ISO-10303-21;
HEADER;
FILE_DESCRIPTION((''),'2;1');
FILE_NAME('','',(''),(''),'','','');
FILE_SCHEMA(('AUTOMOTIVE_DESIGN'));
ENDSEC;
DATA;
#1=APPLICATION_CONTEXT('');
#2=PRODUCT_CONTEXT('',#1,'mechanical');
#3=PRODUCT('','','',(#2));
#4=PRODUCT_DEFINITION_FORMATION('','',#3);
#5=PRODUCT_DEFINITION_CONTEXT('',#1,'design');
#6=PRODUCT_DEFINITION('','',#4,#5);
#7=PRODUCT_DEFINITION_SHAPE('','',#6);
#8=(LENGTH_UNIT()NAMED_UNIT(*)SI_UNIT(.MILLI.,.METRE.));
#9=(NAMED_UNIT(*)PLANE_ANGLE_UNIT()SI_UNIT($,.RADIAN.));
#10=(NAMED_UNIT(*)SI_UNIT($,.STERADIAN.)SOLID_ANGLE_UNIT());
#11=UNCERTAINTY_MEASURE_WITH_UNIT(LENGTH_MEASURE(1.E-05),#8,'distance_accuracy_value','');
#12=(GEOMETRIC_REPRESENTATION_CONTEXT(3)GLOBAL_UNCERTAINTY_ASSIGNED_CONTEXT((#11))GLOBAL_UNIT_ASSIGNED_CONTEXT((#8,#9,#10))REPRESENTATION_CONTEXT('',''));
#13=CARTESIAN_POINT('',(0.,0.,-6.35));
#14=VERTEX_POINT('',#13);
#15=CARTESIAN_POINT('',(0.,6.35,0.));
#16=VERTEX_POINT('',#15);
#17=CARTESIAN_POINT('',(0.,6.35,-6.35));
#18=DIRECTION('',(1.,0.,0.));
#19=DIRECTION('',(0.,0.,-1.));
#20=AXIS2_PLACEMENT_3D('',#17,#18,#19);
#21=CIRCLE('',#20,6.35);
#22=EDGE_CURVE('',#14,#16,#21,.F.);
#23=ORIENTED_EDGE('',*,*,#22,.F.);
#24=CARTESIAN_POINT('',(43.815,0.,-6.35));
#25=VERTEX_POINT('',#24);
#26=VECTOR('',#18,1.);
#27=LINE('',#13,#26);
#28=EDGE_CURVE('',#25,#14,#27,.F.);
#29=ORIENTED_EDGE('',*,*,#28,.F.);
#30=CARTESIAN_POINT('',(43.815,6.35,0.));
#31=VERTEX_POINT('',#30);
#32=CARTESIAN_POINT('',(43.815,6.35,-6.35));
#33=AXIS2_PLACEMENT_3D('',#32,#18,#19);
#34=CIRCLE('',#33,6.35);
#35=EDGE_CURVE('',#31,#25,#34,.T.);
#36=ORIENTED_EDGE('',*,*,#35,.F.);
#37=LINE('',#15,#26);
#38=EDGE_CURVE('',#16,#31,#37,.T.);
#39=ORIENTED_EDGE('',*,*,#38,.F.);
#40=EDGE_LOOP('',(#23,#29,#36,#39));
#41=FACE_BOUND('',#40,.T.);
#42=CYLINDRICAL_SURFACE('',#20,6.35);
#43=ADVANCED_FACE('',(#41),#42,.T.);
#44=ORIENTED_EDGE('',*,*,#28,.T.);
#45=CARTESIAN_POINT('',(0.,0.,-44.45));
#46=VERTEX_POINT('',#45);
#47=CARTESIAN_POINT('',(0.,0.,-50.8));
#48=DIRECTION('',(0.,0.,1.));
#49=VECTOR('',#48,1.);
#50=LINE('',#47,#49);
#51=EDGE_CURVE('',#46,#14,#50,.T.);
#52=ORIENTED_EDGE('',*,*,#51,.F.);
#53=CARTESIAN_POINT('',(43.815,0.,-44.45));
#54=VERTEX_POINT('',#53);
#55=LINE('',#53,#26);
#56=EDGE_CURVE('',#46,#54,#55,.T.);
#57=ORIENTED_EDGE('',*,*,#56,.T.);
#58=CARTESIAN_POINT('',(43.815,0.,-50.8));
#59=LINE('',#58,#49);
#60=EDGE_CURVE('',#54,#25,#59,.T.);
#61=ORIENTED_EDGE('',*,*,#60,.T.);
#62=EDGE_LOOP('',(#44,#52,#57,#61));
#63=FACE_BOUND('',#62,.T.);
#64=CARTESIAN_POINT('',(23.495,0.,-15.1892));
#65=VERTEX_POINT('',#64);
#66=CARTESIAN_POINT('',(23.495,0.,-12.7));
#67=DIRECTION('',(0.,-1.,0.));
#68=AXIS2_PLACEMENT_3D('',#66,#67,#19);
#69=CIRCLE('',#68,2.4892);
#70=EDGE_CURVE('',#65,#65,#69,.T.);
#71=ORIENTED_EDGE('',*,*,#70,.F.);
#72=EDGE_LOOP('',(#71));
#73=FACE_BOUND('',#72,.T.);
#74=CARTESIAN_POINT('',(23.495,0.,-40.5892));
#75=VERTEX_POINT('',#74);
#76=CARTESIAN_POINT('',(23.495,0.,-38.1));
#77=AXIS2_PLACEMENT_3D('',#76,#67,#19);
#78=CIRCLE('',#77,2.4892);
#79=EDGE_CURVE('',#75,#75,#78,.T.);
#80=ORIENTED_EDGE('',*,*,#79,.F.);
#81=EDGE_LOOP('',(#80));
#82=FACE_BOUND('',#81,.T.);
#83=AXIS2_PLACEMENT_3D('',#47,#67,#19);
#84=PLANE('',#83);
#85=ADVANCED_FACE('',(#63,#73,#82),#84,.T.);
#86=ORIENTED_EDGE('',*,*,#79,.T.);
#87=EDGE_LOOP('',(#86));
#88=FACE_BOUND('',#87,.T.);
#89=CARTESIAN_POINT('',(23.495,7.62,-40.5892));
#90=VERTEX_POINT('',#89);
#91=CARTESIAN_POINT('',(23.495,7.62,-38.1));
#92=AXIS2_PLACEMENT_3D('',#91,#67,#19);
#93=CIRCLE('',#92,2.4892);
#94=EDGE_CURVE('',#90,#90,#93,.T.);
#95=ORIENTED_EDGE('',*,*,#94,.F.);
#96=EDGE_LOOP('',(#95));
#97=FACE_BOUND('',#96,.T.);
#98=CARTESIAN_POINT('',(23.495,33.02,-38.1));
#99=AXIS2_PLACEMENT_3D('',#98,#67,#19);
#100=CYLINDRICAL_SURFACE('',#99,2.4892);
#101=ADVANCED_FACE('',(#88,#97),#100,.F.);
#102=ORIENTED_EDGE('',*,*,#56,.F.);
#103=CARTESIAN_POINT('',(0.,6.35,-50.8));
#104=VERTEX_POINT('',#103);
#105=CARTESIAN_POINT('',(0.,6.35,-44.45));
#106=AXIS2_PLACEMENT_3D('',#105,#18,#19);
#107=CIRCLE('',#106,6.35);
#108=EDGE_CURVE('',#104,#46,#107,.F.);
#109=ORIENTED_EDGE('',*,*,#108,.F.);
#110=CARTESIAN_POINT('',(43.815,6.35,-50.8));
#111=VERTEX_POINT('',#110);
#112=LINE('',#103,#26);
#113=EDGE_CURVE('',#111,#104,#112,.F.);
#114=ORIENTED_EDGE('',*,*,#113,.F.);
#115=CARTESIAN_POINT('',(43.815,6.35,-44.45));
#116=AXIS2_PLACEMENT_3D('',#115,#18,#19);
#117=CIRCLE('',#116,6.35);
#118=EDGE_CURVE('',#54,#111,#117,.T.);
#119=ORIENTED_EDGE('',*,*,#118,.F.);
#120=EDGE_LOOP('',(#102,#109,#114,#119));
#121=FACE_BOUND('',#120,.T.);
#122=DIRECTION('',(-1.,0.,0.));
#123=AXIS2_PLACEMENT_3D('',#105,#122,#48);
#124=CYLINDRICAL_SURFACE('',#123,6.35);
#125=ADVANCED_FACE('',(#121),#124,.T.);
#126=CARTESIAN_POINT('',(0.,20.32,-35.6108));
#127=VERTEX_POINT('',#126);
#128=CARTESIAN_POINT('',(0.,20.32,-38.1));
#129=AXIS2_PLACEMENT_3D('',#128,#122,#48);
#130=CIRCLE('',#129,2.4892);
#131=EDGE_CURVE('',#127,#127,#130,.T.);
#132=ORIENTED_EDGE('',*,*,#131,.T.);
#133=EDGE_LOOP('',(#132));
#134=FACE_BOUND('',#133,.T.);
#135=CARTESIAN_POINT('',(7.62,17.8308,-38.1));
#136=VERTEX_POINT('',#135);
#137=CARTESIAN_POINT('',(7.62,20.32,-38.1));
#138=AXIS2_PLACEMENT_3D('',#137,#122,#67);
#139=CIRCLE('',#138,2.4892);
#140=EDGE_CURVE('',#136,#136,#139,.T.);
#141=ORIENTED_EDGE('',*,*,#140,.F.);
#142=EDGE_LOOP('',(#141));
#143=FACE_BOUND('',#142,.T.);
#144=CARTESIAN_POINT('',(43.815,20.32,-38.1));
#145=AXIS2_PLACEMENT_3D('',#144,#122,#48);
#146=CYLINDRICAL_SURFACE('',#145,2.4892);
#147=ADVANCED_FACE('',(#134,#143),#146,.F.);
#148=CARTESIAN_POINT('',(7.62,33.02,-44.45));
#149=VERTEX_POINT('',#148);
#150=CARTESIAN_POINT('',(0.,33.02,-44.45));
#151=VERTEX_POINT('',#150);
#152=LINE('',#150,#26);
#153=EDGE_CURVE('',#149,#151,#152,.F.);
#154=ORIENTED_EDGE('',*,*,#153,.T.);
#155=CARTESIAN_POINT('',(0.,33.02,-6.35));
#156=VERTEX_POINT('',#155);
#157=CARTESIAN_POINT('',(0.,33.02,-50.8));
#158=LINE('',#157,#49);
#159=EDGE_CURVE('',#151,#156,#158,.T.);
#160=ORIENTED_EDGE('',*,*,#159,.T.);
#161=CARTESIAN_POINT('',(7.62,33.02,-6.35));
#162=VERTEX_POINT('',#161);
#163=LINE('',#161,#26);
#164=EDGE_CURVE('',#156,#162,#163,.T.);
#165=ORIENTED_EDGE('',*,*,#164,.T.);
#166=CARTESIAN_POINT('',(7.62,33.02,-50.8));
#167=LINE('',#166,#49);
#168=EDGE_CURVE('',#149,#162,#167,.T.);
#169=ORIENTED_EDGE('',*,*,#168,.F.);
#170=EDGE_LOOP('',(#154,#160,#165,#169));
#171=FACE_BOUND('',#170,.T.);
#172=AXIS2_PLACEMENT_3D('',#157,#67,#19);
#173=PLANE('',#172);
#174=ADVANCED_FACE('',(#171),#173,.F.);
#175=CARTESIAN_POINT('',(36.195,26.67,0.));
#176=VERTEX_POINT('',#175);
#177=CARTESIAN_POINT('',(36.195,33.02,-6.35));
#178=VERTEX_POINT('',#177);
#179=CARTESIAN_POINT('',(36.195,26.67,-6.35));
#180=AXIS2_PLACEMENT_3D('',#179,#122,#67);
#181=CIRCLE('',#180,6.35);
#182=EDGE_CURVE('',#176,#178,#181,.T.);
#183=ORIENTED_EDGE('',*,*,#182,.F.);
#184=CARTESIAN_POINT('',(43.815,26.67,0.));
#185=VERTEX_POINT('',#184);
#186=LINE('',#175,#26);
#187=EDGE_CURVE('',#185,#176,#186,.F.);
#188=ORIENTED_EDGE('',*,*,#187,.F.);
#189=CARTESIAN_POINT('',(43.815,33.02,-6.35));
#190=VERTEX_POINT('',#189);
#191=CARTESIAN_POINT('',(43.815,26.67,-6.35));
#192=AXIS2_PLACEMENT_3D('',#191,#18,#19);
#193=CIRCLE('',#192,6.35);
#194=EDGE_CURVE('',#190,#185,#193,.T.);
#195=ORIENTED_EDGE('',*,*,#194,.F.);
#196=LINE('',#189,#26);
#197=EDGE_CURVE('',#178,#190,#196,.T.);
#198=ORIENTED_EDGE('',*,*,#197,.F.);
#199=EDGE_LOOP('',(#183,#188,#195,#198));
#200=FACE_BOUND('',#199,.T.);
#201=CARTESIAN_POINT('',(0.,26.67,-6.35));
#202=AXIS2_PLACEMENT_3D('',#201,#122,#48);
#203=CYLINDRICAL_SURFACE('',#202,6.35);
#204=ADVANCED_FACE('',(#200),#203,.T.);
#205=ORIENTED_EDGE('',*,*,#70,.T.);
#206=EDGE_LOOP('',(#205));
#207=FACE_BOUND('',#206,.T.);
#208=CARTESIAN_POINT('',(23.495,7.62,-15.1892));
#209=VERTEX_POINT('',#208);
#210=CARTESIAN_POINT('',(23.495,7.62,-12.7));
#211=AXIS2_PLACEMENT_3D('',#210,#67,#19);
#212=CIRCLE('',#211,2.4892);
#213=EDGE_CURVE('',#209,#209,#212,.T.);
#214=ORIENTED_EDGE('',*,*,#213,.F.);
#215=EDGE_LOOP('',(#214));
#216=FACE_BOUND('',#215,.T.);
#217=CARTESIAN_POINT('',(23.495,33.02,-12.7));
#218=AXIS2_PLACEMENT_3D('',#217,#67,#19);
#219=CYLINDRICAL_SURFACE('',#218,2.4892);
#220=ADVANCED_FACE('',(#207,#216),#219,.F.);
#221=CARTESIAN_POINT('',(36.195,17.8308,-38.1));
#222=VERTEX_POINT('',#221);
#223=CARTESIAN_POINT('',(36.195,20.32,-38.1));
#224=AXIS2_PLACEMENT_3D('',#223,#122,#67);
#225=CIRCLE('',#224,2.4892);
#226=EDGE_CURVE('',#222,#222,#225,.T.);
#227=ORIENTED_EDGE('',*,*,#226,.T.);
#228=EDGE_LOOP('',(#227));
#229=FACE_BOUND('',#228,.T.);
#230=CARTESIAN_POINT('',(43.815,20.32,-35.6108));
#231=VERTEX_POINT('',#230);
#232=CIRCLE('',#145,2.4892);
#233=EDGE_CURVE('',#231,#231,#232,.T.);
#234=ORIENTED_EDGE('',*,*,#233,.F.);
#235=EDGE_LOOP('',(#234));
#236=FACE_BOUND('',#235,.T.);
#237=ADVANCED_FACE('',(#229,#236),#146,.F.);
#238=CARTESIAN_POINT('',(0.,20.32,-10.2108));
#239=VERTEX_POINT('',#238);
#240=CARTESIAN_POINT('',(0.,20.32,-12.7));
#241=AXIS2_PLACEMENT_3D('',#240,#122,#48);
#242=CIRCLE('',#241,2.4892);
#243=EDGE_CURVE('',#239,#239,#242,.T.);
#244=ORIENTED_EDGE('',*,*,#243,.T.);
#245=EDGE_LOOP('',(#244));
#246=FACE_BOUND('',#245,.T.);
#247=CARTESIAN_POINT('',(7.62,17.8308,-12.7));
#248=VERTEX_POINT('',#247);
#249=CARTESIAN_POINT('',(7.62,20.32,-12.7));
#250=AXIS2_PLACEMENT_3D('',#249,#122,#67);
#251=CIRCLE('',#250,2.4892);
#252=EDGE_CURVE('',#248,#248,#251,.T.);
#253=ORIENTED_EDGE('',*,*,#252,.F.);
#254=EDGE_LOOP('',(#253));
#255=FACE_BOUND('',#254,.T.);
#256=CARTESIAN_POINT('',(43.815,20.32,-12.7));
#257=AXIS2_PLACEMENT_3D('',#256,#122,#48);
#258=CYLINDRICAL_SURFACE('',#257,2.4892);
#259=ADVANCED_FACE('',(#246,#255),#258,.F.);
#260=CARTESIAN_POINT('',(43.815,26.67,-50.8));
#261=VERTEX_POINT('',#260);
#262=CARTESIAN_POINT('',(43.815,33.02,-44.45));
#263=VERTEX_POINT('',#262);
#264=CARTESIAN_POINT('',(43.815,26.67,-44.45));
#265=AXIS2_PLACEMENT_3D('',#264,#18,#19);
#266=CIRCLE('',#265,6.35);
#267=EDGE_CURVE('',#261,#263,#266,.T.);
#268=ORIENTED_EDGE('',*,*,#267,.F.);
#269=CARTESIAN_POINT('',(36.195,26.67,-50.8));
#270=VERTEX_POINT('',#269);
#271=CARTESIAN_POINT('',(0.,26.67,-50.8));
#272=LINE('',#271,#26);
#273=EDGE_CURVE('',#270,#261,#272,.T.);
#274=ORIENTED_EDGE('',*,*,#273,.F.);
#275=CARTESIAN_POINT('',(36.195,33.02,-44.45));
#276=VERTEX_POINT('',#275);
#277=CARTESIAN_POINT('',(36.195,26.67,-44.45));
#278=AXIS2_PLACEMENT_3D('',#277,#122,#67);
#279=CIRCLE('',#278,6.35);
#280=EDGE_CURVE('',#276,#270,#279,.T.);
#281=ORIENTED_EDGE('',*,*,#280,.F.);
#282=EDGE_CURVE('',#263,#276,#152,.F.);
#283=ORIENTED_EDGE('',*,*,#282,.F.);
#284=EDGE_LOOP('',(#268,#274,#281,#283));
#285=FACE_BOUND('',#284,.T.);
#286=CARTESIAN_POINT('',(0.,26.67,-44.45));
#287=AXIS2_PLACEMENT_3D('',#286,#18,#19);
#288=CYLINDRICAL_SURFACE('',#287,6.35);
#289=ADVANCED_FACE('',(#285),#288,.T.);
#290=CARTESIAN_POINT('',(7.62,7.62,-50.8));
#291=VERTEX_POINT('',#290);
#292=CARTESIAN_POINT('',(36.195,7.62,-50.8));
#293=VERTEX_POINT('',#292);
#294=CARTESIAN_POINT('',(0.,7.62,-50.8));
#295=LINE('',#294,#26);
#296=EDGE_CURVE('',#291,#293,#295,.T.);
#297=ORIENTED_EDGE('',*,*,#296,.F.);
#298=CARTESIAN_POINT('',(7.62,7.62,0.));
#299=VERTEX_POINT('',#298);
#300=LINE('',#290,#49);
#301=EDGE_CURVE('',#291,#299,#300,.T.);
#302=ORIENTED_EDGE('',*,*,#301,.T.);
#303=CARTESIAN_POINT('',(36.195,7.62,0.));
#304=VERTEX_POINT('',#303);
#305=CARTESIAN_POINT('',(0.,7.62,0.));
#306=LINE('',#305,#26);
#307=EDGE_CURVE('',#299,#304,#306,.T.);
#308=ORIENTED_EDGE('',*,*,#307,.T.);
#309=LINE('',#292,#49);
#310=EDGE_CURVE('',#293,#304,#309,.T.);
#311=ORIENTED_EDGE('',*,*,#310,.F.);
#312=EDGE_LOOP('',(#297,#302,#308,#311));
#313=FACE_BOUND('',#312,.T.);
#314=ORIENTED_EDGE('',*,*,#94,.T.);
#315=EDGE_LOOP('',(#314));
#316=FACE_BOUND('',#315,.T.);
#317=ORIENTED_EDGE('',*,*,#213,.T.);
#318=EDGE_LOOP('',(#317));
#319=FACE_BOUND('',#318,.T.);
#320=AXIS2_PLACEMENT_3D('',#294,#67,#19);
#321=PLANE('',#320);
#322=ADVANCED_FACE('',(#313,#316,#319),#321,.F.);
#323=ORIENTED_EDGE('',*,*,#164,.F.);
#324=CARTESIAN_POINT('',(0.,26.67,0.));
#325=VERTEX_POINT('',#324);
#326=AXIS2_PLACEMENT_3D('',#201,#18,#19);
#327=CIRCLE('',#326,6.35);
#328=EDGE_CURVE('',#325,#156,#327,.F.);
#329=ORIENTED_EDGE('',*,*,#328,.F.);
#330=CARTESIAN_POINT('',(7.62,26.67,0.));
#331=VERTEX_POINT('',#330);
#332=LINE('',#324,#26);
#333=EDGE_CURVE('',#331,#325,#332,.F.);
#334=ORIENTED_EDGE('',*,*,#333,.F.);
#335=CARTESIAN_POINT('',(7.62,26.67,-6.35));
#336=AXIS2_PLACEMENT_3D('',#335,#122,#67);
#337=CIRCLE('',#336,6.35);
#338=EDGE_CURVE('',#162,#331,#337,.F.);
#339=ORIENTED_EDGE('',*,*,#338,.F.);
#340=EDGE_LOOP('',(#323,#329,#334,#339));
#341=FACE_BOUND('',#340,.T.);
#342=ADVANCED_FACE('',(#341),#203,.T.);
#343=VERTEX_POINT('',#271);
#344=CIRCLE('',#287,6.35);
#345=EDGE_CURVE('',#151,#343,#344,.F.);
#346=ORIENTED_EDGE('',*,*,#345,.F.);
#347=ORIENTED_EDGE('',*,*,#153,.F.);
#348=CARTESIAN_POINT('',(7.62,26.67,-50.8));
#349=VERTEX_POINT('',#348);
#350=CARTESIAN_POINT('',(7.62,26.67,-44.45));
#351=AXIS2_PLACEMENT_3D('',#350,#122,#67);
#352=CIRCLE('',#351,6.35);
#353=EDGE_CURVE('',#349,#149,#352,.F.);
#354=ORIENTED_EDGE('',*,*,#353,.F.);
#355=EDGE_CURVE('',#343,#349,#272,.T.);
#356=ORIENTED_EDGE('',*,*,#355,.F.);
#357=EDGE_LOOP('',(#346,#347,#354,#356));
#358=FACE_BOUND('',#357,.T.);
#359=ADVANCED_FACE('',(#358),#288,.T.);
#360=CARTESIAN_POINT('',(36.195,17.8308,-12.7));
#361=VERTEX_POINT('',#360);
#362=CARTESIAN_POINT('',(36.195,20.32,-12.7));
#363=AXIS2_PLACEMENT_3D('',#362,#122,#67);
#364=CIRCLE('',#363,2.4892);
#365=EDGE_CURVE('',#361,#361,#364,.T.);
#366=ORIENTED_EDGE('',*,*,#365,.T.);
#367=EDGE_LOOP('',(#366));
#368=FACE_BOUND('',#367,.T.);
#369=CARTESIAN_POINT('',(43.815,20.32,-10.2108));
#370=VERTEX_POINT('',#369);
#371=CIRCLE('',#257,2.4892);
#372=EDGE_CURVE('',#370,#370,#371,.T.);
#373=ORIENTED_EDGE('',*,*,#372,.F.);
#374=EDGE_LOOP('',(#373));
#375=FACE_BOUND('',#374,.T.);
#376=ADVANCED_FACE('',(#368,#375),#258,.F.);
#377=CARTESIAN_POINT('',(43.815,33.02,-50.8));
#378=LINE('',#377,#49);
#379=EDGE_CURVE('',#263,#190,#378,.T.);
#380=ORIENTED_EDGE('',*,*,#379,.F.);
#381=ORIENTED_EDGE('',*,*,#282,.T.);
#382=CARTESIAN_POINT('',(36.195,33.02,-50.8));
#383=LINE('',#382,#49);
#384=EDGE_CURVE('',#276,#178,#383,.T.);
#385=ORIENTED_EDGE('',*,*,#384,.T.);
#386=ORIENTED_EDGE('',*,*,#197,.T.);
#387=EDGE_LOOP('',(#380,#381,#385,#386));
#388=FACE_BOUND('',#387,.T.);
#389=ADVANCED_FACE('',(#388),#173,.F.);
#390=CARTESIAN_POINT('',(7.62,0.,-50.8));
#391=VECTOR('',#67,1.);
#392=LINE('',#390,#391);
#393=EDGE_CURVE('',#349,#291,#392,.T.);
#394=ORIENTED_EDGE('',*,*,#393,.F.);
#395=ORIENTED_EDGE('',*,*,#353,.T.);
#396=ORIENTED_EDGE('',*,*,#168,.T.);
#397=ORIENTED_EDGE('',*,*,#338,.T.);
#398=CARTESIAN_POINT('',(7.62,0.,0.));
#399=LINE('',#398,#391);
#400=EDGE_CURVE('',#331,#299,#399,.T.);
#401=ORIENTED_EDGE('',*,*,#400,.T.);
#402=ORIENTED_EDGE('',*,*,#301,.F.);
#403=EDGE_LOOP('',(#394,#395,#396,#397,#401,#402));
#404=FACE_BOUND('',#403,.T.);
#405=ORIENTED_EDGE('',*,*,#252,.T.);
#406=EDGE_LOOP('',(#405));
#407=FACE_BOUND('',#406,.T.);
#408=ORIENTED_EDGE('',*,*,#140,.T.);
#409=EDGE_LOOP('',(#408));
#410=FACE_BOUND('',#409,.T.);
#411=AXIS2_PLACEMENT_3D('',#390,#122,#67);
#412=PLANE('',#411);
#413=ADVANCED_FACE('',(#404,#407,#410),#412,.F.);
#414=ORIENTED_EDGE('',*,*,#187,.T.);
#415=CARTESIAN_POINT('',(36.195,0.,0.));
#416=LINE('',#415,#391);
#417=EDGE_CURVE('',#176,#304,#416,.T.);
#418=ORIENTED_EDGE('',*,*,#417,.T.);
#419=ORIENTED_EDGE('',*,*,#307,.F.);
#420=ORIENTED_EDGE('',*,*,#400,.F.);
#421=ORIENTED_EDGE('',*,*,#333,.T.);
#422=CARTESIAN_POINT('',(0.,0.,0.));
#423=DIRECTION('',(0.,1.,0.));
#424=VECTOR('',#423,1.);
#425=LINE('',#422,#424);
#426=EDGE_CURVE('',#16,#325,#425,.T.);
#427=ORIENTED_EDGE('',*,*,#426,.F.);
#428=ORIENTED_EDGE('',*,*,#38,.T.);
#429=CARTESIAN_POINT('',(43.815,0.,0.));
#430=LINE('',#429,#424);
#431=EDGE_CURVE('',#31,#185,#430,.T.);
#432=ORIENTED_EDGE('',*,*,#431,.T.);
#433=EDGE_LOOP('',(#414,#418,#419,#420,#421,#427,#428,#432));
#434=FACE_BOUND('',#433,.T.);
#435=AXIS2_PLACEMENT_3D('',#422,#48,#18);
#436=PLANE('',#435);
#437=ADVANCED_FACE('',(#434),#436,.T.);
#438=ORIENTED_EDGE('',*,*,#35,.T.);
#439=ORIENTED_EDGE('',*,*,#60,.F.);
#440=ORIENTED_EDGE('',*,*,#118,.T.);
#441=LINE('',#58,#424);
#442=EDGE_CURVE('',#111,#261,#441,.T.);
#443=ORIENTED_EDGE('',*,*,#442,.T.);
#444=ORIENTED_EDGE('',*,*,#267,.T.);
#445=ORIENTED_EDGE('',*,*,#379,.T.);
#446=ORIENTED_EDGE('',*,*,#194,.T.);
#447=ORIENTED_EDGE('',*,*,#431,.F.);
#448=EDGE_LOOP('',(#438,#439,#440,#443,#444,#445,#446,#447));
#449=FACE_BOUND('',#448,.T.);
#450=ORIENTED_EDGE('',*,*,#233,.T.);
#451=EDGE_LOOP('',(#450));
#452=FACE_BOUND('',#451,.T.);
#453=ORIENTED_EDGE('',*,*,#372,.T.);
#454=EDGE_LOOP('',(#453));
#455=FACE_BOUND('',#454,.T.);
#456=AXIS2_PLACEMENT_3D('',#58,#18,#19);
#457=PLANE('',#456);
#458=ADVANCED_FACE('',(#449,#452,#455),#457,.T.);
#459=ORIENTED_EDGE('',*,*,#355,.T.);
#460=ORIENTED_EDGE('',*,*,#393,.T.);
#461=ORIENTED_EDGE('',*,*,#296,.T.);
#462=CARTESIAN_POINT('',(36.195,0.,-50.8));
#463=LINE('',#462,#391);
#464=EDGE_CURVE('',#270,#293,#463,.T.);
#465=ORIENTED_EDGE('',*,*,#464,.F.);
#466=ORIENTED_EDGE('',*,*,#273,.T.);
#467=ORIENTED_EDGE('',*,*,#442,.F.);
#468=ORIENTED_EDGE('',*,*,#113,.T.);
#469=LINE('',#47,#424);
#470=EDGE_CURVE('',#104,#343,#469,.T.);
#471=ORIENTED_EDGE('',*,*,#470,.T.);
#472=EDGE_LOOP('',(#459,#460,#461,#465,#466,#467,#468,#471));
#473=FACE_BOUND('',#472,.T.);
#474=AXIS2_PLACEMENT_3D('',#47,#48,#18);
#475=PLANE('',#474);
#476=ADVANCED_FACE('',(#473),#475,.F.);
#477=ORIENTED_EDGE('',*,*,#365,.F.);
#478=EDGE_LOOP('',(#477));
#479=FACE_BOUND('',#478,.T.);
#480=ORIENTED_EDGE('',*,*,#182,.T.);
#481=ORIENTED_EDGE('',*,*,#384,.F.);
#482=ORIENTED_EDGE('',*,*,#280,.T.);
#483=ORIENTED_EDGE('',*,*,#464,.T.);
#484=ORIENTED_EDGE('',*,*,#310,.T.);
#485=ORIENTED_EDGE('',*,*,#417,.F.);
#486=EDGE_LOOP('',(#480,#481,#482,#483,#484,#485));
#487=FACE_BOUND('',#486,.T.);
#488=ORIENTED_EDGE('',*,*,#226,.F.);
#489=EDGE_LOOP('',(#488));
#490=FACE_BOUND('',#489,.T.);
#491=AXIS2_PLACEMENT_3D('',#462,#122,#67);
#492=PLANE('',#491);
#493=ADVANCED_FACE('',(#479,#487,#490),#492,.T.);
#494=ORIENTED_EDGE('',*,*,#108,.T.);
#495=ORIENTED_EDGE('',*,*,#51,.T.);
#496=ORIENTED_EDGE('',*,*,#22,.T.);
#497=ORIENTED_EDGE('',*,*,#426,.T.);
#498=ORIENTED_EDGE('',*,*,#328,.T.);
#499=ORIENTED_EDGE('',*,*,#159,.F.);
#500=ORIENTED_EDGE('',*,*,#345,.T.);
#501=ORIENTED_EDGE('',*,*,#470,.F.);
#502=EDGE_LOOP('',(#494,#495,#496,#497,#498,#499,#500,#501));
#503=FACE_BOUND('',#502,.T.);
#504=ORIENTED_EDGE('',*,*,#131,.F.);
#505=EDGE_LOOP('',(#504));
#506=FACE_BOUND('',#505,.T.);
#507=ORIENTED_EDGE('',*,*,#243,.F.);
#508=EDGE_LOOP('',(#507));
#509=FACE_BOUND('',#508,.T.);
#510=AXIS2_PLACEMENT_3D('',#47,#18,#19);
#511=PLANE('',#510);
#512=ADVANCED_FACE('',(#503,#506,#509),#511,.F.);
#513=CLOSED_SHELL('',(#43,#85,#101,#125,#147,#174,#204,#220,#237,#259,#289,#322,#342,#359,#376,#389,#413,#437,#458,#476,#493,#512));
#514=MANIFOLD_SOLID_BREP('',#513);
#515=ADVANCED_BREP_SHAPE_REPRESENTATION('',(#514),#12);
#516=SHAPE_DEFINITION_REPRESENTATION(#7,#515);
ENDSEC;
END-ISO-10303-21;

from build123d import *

# Parameters (mm, degrees)
BOSS_EXTRUDE1_DEPTH = 50.8
FILLET1_R           = 6.35
SKETCH2_R           = 2.4892
CUT_EXTRUDE1_DEPTH  = 75.771081475
SKETCH3_R           = 2.4892
CUT_EXTRUDE2_DEPTH  = 75.771081475


with BuildPart() as part:
    # Sketch1 → Boss-Extrude1 (new body)
    with BuildSketch(Plane.XY):
        Polygon((0, 33.02), (0, 0), (43.815, 0), (43.815, 33.02), (36.195, 33.02), (36.195, 7.62), (7.62, 7.62), (7.62, 33.02), align=None)
    extrude(amount=-BOSS_EXTRUDE1_DEPTH)

    # Fillet1
    fillet1_edges = [part.edges().sort_by_distance(p)[0] for p in [
        (21.9075, 0, 0),
        (3.81, 33.02, 0),
        (40.005, 33.02, 0),
        (3.81, 33.02, -50.8),
        (21.9075, 0, -50.8),
        (40.005, 33.02, -50.8),
    ]]
    fillet(fillet1_edges, radius=FILLET1_R)

    # Sketch2 → Cut-Extrude1 (cut, through all)
    with BuildSketch(Plane.ZY):
        with Locations((-38.1, 20.32)):
            Circle(SKETCH2_R)
        with Locations((-12.7, 20.32)):
            Circle(SKETCH2_R)
    extrude(amount=-CUT_EXTRUDE1_DEPTH, mode=Mode.SUBTRACT)

    # Sketch3 → Cut-Extrude2 (cut, through all)
    with BuildSketch(Plane.XZ):
        with Locations(Location((23.495, -38.1, 0), (0, 0, 270))):
            Circle(SKETCH3_R)
        with Locations(Location((23.495, -12.7, 0), (0, 0, 270))):
            Circle(SKETCH3_R)
    extrude(amount=-CUT_EXTRUDE2_DEPTH, mode=Mode.SUBTRACT)


solid = part.part
